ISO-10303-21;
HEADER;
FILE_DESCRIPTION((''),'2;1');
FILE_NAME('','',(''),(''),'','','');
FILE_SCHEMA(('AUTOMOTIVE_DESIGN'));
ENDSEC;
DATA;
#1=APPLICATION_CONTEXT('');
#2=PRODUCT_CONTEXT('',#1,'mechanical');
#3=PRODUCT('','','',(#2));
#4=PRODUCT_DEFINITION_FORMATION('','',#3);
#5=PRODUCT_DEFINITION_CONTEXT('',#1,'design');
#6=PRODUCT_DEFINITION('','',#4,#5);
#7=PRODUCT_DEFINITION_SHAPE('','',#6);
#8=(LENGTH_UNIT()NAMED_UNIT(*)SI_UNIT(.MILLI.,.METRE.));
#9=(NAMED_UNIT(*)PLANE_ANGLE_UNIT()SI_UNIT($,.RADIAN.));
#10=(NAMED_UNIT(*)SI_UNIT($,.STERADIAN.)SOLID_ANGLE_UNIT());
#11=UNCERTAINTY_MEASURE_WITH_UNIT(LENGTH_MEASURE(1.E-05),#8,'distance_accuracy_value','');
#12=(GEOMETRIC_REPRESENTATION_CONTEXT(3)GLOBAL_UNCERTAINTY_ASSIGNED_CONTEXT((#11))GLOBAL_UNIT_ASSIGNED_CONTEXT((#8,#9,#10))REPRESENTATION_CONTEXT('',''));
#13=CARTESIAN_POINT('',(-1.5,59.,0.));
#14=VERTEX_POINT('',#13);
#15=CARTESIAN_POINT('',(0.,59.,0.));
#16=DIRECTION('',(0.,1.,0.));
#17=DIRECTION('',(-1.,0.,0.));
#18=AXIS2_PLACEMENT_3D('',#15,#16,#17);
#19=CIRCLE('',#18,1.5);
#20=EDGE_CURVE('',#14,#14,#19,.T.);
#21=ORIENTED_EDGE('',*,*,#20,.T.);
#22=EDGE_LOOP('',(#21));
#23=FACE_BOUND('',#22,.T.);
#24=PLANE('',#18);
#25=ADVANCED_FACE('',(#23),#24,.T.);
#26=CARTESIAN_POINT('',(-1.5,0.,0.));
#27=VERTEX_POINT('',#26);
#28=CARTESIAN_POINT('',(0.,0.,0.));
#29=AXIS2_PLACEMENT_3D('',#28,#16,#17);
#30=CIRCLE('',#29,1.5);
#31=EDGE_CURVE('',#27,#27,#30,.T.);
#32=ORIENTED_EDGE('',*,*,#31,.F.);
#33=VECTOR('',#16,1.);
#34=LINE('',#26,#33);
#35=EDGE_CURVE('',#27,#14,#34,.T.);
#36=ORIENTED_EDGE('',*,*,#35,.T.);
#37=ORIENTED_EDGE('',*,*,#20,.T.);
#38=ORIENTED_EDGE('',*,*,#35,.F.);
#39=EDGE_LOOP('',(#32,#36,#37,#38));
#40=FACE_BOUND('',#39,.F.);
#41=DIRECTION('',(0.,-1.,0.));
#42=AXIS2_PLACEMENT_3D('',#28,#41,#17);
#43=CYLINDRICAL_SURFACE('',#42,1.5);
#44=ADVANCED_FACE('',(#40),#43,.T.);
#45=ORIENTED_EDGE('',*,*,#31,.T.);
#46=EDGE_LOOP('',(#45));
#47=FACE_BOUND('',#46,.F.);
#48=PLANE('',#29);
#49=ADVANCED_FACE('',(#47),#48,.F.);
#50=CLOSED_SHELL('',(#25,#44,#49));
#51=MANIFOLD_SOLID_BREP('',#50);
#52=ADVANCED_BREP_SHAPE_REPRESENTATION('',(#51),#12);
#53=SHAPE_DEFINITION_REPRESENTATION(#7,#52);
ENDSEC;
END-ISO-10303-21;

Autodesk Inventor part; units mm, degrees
ref_plane "YZ Plane" through (0, 0, 0) normal (1, 0, 0) x (0, 1, 0)
ref_plane "XZ Plane" through (0, 0, 0) normal (0, 1, 0) x (-1, 0, 0)
ref_plane "XY Plane" through (0, 0, 0) normal (0, 0, 1) x (1, 0, 0)
sketch "Sketch1" plane through (0, 0, 0) normal (0, 1, 0) x (-1, 0, 0)
  circle A0 centre (0, 0) radius 1.5
  dimension "d0" = 3
extrude "Extrusion1" add sketch "Sketch1" along normal blind 59
properties part number "500-169" material "Aluminum 6061"
